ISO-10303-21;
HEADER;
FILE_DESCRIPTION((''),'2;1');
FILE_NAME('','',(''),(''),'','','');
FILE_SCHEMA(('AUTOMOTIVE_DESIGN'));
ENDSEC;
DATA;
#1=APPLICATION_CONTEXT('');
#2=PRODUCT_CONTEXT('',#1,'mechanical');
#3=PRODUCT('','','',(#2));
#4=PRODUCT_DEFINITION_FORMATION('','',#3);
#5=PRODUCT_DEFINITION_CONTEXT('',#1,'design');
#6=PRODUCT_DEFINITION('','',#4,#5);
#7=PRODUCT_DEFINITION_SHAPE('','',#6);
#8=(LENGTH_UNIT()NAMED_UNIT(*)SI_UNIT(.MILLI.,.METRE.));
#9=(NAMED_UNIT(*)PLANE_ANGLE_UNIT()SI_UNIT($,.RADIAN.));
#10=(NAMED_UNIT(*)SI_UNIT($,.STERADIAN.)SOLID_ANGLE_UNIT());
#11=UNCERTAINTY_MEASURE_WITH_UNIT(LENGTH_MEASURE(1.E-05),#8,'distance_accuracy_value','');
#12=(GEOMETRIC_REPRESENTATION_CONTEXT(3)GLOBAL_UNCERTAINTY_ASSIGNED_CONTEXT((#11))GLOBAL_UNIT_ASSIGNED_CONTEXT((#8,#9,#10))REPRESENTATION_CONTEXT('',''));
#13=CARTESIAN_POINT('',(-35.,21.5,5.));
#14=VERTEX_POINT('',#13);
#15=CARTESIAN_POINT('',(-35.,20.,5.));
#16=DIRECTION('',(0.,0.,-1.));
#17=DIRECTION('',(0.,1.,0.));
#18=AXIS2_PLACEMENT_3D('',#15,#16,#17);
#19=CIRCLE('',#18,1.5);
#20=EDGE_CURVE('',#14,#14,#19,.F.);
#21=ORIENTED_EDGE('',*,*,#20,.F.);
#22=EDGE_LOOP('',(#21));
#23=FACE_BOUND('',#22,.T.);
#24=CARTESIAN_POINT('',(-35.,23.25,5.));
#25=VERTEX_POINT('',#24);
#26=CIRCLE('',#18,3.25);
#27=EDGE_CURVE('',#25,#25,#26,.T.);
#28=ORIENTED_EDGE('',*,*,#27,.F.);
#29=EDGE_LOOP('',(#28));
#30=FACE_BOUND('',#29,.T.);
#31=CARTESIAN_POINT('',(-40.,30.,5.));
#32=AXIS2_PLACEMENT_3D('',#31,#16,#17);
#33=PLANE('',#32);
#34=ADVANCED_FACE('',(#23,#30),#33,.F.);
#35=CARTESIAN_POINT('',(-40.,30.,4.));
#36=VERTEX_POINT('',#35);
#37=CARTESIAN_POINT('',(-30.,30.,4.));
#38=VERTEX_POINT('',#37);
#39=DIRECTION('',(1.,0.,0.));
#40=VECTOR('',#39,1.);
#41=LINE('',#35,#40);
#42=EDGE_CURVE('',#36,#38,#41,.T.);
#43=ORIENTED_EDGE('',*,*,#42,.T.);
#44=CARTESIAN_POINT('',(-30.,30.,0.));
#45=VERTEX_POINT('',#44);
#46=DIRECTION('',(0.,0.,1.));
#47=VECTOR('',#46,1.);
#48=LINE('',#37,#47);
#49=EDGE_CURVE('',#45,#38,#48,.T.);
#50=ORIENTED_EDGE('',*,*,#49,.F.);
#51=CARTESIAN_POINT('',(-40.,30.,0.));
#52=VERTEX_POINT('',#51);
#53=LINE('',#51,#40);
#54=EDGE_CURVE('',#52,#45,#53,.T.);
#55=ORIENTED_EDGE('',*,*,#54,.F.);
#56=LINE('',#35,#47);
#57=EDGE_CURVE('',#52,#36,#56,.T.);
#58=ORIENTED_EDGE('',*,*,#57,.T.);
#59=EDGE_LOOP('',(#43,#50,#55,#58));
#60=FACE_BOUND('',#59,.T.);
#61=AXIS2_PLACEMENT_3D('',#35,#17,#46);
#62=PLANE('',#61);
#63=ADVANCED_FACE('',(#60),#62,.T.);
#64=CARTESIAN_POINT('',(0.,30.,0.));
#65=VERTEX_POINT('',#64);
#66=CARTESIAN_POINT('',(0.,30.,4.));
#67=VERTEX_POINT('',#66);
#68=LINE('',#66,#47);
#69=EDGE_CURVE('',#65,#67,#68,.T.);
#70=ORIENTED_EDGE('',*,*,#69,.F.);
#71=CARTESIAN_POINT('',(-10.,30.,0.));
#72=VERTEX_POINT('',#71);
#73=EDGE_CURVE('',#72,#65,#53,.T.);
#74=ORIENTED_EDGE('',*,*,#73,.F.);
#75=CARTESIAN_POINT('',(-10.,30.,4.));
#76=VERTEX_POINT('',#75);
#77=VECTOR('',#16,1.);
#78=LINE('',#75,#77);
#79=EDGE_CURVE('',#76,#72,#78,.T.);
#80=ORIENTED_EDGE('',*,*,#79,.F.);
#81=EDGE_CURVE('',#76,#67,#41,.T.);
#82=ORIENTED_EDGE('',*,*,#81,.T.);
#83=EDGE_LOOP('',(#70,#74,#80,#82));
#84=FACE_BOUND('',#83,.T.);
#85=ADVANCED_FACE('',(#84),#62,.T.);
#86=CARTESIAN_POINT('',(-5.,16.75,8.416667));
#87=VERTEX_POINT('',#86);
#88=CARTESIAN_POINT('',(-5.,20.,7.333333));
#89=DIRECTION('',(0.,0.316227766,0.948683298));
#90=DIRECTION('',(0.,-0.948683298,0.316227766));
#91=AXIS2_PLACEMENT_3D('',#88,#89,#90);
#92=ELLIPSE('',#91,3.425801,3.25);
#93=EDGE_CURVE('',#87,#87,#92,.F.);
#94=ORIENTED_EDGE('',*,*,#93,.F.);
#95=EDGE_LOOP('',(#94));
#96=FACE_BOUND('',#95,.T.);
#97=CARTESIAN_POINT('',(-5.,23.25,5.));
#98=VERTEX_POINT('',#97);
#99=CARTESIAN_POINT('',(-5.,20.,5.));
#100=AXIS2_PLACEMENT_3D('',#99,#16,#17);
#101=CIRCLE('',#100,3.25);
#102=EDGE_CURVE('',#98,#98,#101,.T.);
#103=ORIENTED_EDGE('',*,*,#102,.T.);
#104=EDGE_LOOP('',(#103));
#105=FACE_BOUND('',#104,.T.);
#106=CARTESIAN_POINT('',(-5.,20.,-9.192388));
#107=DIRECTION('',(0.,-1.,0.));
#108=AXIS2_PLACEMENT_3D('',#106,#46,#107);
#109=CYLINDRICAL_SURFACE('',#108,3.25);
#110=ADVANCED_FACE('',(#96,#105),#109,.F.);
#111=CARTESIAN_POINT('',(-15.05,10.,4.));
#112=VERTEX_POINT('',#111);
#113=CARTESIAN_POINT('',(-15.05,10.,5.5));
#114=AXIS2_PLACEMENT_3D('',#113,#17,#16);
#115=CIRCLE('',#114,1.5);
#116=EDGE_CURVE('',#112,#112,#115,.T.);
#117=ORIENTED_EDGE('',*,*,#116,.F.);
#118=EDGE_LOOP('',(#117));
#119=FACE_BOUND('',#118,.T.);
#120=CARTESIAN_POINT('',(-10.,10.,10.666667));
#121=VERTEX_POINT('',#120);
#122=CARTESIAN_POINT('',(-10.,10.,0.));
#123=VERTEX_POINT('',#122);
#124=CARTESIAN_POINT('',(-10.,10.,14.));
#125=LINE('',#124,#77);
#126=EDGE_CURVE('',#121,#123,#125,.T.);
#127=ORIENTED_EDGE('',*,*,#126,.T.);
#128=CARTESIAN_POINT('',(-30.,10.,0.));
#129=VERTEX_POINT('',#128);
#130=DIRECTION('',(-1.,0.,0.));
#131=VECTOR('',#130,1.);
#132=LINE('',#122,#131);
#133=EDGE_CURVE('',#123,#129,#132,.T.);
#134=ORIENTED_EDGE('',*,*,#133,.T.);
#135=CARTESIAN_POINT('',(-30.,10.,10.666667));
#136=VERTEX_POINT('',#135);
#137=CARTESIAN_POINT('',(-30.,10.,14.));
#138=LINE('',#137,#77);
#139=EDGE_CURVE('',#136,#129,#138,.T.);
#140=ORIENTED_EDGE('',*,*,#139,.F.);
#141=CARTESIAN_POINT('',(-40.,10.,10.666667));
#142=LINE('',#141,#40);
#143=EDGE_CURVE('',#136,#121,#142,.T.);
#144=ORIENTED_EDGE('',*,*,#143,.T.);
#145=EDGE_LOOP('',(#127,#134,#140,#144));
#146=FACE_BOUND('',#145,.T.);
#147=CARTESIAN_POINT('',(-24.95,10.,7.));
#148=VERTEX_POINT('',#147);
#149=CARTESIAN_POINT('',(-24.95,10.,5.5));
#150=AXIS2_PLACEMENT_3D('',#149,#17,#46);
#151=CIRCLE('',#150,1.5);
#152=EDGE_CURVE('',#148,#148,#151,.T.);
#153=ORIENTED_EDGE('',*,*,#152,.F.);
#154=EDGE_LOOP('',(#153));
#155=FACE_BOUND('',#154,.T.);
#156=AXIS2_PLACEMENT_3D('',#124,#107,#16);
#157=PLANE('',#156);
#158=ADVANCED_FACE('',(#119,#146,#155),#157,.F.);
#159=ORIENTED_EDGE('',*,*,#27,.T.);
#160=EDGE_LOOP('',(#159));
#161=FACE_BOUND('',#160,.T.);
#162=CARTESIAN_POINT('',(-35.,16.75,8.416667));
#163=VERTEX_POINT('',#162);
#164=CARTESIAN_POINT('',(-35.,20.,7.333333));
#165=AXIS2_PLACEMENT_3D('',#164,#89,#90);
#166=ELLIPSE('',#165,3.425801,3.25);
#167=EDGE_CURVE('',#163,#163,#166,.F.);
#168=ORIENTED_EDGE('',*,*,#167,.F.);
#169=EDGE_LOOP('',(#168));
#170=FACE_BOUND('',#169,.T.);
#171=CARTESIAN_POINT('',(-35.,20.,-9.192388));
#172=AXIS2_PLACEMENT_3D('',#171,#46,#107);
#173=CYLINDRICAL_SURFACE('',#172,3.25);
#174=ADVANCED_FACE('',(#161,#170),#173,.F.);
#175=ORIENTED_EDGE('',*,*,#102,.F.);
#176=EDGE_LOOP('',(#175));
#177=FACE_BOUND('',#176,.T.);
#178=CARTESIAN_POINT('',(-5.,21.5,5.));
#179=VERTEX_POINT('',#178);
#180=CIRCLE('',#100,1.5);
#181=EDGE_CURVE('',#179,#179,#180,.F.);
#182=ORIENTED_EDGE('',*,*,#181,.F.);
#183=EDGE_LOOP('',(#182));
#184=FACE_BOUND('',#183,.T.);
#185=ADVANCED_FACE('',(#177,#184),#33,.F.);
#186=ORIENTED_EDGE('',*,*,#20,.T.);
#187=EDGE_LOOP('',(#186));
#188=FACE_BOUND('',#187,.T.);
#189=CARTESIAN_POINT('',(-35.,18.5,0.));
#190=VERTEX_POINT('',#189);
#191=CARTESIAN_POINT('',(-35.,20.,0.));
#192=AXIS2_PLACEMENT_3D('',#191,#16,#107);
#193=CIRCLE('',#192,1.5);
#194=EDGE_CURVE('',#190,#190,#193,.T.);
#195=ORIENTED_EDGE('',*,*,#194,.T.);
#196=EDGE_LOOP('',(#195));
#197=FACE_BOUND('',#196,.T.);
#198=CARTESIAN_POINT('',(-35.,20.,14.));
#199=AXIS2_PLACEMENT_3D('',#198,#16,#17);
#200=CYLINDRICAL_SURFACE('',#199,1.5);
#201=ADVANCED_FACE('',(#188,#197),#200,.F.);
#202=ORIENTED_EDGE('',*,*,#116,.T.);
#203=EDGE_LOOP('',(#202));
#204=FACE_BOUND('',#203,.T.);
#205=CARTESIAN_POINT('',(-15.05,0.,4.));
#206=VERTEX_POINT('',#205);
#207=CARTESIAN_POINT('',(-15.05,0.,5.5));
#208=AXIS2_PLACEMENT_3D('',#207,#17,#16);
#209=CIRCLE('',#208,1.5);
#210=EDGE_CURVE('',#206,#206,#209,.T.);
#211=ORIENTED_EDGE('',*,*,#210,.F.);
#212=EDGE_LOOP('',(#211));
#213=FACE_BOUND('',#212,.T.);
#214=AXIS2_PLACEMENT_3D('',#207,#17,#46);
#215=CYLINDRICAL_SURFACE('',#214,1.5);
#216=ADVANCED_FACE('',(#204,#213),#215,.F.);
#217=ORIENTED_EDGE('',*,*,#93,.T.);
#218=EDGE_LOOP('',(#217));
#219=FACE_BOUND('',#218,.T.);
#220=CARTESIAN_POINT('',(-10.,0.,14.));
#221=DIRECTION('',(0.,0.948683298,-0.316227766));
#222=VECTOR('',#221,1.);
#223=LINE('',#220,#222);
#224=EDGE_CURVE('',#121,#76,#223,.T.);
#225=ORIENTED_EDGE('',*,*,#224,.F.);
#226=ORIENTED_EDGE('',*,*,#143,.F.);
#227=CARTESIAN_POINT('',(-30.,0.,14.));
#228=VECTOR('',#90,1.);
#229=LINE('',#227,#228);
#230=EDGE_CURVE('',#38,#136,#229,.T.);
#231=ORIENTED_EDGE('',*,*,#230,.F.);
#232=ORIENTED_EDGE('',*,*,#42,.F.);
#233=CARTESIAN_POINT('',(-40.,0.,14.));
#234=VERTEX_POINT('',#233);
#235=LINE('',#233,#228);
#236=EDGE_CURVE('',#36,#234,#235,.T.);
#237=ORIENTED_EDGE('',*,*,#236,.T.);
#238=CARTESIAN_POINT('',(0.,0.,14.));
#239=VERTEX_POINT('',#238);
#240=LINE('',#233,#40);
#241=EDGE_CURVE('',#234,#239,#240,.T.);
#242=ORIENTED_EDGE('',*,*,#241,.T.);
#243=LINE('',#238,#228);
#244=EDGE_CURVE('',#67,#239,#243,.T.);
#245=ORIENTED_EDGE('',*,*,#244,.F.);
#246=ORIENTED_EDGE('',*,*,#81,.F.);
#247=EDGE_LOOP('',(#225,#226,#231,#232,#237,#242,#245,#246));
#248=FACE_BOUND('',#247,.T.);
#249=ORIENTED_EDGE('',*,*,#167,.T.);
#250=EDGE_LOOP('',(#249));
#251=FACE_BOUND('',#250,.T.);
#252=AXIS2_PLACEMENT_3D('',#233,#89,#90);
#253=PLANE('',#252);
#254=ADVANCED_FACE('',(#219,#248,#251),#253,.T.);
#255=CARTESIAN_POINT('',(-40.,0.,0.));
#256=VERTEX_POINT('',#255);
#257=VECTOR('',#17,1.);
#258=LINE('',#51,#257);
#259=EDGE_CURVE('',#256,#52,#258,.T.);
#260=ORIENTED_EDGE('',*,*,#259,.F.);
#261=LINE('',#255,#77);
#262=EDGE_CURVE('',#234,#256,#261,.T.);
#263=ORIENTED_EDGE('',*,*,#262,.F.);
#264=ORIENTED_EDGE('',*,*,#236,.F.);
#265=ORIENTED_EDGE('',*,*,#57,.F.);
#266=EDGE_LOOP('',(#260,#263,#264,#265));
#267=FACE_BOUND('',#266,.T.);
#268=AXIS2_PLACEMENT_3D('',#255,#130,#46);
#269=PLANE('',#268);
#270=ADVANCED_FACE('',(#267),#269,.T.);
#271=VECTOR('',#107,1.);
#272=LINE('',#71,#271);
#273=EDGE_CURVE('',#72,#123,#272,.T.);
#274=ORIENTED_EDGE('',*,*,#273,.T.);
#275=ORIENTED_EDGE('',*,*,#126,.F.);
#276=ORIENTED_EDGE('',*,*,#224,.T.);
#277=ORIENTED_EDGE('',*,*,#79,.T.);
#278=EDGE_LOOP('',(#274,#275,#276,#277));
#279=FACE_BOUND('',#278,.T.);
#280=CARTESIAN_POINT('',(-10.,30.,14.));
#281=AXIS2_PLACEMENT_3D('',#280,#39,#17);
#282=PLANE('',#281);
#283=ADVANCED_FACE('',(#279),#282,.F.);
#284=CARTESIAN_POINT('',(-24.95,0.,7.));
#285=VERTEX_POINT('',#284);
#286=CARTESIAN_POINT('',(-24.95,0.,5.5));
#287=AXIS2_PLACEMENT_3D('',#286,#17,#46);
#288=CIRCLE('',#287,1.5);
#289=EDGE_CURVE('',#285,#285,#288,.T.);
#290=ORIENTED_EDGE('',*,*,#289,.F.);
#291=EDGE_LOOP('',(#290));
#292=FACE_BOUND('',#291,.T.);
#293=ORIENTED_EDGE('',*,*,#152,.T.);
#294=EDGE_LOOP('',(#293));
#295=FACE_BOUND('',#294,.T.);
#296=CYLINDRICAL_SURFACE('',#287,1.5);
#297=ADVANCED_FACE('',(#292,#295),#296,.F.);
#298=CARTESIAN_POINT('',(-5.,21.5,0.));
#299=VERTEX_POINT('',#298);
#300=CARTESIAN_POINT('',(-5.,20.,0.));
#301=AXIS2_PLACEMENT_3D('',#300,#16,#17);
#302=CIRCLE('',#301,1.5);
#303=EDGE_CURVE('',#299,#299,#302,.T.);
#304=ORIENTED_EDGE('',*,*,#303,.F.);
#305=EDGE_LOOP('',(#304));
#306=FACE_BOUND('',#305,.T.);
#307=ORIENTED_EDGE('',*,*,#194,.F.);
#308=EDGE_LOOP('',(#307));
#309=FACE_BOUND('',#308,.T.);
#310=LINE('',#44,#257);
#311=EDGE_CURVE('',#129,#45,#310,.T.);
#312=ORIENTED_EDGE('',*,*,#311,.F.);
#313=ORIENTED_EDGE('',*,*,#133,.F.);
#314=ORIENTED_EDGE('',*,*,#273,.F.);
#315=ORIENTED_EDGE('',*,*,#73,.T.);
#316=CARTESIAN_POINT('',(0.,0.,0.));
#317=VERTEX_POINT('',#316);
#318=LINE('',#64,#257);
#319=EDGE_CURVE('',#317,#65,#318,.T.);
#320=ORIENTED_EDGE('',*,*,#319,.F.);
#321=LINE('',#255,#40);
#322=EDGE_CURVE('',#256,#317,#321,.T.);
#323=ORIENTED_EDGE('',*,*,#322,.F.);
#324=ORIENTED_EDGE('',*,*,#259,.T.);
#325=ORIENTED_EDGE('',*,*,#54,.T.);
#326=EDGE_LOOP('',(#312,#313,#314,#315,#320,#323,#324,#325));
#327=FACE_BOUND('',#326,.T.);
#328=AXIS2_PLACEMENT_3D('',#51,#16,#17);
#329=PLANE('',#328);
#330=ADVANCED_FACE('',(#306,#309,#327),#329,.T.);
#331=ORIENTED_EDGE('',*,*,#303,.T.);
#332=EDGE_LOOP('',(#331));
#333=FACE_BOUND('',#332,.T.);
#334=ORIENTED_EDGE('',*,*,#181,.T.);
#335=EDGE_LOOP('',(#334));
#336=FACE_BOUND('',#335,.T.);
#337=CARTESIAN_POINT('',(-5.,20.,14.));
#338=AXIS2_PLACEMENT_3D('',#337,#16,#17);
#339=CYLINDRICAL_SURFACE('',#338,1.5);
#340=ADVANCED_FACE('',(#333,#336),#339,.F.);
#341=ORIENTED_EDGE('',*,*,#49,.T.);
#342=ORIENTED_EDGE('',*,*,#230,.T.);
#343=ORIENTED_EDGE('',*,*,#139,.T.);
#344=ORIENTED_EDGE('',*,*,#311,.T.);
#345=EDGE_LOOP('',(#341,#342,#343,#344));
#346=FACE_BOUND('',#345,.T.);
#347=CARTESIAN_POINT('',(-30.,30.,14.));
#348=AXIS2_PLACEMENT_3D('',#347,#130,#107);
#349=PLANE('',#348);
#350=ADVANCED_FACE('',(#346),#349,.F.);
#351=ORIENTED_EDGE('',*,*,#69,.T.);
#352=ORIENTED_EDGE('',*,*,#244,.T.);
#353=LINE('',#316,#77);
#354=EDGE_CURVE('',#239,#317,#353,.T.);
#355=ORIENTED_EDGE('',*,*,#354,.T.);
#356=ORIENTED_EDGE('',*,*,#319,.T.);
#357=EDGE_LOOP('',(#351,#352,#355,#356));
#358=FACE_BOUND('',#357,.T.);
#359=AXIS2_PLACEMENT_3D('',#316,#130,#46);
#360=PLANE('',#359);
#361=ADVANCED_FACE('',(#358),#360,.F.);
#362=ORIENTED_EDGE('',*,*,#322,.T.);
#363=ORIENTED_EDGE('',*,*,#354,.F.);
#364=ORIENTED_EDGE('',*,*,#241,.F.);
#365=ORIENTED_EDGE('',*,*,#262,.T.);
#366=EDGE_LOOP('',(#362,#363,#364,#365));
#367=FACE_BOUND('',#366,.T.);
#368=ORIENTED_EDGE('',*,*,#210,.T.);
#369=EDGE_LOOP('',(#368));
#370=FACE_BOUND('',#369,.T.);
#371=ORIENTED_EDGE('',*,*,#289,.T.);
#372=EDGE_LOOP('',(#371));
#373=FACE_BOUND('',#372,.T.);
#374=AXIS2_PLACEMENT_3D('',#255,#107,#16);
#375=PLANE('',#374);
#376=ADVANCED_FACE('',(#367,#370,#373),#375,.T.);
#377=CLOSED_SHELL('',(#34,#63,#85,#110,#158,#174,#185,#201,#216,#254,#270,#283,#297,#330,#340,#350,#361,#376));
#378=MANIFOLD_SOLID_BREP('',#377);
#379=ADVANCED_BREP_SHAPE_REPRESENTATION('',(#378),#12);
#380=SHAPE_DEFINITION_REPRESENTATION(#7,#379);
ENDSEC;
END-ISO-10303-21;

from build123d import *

# Parameters (mm, degrees)
EXTRUDE1_DEPTH = 40
SKETCH2_W      = 20
SKETCH2_H      = 20
EXTRUDE2_DEPTH = 52.923019943
SKETCH3_R      = 1.5
EXTRUDE3_DEPTH = 52.923019943
SKETCH4_R      = 1.5
EXTRUDE4_DEPTH = 47.861498055
SKETCH8_R      = 3.25
EXTRUDE5_DEPTH = 9


with BuildPart() as part:
    # Sketch1 → Extrude1 (new body)
    with BuildSketch(Plane(origin=(0, 0, 0), x_dir=(0, 0, -1), z_dir=(1, 0, 0))):
        Polygon((0, 0), (-14, 0), (-4, 30), (0, 30), align=None)
    extrude(amount=-EXTRUDE1_DEPTH)

    # Sketch2 → Extrude2 (cut, through all)
    with BuildSketch(Plane(origin=(0, 0, 0), x_dir=(-1, 0, 0), z_dir=(0, 0, -1))):
        with Locations((20, 20)):
            Rectangle(SKETCH2_W, SKETCH2_H)
    extrude(amount=-EXTRUDE2_DEPTH, mode=Mode.SUBTRACT)

    # Sketch3 → Extrude3 (cut, through all)
    with BuildSketch(Plane(origin=(0, 0, 0), x_dir=(-1, 0, 0), z_dir=(0, 0, -1))):
        with Locations(Location((5, 20, 0), (0, 0, 90))):
            Circle(SKETCH3_R)
        with Locations(Location((35, 20, 0), (0, 0, 90))):
            Circle(SKETCH3_R)
    extrude(amount=-EXTRUDE3_DEPTH, mode=Mode.SUBTRACT)

    # Sketch4 → Extrude4 (cut, through all)
    with BuildSketch(Plane(origin=(0, 10, 0), x_dir=(1, 0, 0), z_dir=(0, 1, 0))):
        with Locations(Location((-24.95, -5.5, 0), (0, 0, 270))):
            Circle(SKETCH4_R)
        with Locations(Location((-15.05, -5.5, 0), (0, 0, 90))):
            Circle(SKETCH4_R)
    extrude(amount=-EXTRUDE4_DEPTH, mode=Mode.SUBTRACT)

    # Sketch8 → Extrude5 (cut)
    with BuildSketch(Plane(origin=(0, 0, 14), x_dir=(-1, 0, 0), z_dir=(0, 0, -1))):
        with Locations(Location((5, 20, 0), (0, 0, 270))):
            Circle(SKETCH8_R)
        with Locations(Location((35, 20, 0), (0, 0, 270))):
            Circle(SKETCH8_R)
    extrude(amount=EXTRUDE5_DEPTH, mode=Mode.SUBTRACT)


solid = part.part
